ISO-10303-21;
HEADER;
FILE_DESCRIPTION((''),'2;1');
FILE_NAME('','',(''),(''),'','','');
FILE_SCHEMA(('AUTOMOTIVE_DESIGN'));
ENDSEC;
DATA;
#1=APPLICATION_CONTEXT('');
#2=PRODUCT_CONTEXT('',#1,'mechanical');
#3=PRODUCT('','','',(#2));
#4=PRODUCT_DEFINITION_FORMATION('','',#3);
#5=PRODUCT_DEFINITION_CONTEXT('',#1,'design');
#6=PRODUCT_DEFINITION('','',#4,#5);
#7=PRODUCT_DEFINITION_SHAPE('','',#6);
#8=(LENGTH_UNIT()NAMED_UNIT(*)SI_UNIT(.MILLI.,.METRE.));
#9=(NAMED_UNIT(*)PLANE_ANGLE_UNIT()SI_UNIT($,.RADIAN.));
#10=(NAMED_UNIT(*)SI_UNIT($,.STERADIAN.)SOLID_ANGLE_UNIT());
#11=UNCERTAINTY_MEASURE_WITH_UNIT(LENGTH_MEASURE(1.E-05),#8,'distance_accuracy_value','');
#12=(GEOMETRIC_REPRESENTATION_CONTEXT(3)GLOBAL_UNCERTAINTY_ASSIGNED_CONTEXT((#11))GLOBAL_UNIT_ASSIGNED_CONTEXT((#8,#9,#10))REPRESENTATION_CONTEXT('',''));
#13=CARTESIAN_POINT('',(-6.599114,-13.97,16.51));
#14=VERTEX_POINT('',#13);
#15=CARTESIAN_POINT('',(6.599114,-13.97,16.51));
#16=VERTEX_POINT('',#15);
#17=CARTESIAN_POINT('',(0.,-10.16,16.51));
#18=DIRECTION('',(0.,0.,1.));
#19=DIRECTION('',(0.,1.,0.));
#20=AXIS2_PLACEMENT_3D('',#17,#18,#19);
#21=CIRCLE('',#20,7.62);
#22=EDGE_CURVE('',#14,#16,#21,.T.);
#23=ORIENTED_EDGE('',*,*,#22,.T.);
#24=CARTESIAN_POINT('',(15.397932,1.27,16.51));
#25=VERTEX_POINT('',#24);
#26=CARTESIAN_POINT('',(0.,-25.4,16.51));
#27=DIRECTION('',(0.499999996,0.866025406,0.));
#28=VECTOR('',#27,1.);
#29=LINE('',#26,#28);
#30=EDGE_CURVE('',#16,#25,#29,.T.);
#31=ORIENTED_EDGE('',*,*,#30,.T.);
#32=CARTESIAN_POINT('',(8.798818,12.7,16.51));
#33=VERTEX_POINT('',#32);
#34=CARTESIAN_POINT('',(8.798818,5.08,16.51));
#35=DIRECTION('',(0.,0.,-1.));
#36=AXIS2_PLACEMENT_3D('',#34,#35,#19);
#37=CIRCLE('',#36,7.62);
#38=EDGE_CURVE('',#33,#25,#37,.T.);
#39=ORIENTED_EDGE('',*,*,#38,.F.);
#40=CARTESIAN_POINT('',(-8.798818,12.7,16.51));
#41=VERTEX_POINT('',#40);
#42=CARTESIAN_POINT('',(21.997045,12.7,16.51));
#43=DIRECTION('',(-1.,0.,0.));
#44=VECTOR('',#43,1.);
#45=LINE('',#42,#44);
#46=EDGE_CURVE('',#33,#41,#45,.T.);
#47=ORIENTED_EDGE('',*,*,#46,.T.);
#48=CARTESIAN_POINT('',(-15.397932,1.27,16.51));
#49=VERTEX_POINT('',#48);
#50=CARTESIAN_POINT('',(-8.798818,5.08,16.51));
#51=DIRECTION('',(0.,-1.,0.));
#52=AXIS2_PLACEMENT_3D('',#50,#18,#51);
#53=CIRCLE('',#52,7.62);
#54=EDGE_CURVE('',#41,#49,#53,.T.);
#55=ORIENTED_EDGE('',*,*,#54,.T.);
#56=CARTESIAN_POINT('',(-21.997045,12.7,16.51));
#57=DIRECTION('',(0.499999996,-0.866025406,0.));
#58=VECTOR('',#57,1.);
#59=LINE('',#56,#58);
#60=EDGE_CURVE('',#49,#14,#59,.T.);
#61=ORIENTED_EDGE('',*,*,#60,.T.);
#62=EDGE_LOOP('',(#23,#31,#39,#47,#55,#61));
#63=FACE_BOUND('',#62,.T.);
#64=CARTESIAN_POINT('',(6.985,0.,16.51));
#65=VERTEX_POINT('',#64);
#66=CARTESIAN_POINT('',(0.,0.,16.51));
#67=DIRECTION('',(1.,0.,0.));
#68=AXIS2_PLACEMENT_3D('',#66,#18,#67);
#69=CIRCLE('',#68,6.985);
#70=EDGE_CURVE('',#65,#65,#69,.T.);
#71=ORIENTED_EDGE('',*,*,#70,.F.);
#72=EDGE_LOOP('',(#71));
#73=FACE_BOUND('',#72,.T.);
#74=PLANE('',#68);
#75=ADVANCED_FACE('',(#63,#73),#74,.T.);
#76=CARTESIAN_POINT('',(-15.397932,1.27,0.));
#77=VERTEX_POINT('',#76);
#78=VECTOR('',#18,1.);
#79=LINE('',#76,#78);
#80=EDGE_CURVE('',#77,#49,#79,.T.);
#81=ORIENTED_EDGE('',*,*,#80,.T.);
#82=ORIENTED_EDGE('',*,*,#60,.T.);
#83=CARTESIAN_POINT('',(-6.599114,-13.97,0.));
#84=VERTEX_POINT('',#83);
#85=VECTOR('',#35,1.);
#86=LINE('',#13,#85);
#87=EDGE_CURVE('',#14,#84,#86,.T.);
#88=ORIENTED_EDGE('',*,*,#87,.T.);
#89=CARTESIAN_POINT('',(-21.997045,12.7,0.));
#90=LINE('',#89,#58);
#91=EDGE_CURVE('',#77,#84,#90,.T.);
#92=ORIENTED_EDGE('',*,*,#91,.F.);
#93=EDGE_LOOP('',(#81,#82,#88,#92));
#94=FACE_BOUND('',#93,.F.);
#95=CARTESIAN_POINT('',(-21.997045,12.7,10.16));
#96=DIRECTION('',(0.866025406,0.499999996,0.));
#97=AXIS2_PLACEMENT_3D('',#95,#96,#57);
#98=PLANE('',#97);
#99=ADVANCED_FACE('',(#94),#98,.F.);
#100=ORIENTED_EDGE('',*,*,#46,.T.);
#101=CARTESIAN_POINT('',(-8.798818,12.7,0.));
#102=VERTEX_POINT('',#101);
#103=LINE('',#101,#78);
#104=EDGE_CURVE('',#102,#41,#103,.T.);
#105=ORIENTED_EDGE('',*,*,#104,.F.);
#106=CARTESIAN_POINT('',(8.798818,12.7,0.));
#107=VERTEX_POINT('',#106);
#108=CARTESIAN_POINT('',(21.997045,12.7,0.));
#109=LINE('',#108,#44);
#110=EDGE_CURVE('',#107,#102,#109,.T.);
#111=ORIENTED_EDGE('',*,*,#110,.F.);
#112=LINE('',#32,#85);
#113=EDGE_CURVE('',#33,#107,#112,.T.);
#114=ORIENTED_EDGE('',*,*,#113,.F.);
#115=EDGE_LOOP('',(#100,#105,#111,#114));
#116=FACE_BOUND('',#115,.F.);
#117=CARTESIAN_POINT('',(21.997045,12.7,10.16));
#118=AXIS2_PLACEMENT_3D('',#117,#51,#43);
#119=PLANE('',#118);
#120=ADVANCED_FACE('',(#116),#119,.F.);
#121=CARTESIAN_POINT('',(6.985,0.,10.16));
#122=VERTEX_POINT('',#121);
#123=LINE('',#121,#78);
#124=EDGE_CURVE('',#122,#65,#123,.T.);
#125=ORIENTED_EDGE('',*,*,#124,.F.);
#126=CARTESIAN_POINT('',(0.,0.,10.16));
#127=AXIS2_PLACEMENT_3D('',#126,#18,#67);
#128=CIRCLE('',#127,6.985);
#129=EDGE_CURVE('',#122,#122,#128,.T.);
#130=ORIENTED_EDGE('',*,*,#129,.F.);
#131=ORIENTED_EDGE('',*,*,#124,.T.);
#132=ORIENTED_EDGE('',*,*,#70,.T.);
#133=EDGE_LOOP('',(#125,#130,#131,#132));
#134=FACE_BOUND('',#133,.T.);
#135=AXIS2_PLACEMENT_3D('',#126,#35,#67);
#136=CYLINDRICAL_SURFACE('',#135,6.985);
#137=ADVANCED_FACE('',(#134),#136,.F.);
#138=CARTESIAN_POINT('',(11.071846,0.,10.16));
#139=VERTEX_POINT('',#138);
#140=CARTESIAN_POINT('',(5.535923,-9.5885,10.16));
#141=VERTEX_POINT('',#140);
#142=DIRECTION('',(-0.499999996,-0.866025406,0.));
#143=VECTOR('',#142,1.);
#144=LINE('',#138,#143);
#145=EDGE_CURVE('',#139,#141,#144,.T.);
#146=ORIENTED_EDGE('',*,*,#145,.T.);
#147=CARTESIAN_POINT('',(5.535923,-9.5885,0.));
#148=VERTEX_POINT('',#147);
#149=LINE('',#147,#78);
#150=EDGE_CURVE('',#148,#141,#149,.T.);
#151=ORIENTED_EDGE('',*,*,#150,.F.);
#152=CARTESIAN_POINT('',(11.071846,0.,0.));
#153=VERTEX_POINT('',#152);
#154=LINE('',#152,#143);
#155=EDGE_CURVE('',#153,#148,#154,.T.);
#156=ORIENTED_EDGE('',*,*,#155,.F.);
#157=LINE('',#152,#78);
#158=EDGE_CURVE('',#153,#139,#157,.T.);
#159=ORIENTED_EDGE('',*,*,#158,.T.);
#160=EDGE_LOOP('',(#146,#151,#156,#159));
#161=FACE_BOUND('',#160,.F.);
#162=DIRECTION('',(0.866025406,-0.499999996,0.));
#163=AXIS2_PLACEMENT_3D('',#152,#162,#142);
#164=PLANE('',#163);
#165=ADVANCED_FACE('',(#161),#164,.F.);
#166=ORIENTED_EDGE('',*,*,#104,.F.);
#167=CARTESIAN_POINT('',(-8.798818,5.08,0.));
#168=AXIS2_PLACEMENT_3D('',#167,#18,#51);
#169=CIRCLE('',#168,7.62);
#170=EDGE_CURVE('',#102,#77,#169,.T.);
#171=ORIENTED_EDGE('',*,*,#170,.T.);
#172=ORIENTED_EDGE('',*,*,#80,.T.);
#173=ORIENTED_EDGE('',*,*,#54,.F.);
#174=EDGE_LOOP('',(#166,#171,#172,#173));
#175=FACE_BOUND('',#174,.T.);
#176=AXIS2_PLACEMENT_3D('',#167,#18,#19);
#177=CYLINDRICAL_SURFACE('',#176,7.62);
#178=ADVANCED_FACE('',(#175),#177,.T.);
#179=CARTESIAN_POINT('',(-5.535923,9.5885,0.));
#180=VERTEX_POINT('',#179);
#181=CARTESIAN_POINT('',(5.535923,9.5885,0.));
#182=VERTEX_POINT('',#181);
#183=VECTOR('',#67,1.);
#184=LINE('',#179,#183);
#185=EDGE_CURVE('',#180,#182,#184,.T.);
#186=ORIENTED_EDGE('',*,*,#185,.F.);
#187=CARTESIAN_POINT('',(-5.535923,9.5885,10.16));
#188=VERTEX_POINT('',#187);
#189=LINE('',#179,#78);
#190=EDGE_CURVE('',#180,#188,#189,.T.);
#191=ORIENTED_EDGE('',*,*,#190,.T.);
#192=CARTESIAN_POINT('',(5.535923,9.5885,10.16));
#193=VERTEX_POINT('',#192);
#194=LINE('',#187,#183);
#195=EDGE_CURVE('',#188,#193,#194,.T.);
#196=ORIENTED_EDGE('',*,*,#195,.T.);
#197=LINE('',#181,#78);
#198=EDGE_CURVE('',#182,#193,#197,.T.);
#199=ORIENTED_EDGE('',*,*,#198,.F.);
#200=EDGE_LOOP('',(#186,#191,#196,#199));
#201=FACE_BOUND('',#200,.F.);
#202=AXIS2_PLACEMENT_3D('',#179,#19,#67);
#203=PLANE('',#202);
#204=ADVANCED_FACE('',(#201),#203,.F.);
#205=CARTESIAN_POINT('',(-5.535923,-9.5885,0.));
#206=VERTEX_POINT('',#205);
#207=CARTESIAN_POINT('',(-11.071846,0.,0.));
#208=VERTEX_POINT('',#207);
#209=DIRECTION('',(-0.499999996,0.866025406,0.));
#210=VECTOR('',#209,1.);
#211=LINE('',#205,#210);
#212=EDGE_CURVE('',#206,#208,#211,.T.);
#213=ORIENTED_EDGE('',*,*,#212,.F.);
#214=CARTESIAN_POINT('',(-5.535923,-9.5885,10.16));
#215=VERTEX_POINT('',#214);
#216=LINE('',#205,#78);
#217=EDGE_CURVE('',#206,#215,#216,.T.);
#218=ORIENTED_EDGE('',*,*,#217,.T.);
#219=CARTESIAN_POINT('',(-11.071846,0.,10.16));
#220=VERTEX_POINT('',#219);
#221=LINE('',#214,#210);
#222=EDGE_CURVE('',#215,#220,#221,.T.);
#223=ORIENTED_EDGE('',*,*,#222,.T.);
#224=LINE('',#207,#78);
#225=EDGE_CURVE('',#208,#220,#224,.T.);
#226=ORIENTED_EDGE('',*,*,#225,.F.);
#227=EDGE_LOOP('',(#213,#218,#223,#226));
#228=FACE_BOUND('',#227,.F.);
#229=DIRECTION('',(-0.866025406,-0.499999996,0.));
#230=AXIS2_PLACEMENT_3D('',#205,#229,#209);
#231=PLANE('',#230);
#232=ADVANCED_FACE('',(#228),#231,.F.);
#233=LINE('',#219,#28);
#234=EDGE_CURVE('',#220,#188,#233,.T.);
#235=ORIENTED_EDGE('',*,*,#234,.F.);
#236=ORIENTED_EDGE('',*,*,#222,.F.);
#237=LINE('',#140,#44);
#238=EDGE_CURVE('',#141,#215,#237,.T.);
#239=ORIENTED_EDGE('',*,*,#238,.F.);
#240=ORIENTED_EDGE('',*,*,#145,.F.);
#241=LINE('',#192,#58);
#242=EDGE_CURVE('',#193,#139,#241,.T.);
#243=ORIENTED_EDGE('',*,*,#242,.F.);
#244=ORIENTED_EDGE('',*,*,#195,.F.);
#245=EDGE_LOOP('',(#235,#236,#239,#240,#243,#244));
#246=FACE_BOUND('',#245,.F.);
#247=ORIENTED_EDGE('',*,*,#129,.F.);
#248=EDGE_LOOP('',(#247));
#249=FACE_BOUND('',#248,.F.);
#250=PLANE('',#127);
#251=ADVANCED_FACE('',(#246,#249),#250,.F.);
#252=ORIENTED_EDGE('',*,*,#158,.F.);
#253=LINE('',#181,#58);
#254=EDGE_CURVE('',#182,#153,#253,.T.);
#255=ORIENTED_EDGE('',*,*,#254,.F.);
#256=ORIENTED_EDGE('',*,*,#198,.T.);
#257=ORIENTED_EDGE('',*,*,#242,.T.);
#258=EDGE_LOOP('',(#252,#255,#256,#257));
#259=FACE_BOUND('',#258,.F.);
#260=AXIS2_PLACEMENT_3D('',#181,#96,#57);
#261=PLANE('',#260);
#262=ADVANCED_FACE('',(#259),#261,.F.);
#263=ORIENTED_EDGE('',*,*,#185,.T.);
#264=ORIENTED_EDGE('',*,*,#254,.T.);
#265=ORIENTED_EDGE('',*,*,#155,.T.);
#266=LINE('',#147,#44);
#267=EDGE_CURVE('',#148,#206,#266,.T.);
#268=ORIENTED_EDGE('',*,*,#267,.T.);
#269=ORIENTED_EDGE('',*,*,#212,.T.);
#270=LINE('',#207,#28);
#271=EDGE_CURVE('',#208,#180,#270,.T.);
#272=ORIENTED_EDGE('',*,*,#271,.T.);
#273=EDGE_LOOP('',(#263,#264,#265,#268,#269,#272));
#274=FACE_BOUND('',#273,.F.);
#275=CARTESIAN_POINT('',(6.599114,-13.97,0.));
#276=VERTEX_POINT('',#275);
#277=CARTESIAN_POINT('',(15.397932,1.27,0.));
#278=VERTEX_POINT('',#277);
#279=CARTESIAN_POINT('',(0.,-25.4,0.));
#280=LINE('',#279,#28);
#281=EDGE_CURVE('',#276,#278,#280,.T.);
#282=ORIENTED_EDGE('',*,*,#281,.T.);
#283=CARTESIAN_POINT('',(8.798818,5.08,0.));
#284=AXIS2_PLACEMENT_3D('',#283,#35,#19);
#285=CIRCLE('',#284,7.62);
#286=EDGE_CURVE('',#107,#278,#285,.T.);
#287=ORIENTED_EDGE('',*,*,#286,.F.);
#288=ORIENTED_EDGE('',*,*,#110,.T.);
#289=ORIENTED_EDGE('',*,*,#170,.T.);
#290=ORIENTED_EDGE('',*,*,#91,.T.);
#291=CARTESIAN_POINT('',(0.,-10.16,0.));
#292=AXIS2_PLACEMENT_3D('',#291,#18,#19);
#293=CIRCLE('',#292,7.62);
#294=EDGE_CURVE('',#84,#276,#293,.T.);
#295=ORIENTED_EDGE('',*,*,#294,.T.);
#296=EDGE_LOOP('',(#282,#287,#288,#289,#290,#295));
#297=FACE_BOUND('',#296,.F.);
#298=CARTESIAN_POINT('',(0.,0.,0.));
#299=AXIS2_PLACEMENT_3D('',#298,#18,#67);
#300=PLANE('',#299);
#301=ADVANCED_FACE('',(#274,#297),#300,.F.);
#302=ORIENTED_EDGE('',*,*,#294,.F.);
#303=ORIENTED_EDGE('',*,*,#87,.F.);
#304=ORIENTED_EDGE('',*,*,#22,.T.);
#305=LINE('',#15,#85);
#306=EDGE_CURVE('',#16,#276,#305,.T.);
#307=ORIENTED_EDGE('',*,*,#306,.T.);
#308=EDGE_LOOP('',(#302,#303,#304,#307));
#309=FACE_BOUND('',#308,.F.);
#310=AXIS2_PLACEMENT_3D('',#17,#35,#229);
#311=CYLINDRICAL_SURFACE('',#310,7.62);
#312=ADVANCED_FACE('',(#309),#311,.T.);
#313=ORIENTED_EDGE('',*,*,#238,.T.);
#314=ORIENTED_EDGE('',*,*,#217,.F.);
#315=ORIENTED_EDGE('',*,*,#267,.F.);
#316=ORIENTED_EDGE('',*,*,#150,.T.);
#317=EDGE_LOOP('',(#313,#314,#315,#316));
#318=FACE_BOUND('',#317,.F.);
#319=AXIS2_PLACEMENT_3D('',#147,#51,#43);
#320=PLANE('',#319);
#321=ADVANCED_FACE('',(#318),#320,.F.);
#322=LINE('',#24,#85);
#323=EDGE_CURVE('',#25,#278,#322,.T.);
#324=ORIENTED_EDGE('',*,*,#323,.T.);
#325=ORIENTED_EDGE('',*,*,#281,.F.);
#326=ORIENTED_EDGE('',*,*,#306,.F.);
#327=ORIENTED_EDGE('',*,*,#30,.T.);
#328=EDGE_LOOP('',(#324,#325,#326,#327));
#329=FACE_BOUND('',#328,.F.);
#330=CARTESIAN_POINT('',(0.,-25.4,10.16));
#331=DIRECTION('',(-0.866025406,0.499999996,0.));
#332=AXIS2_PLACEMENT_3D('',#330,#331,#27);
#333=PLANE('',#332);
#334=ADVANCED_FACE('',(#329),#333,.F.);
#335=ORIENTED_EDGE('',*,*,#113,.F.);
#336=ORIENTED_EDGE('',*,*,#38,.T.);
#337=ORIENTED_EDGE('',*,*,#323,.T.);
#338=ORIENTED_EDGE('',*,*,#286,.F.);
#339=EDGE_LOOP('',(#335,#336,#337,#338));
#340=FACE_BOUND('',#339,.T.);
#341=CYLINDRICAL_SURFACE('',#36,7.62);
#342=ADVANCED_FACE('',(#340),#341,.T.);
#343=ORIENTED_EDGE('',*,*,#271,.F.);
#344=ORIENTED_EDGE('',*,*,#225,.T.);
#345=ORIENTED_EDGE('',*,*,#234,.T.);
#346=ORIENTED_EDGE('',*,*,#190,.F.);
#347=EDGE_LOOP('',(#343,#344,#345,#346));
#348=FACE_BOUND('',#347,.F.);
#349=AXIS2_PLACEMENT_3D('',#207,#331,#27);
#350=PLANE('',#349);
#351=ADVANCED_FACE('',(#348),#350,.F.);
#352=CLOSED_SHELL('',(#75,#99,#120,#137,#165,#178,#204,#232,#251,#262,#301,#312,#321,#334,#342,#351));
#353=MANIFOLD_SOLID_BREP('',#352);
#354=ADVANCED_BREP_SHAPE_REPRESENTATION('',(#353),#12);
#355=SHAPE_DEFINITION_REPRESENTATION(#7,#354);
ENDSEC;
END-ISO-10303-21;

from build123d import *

# Parameters (mm, degrees)
F1_DEPTH = 10.16
F2_R     = 6.985
F3_DEPTH = 6.35
F4_R     = 7.62


with BuildPart() as f1:
    # F0 (on Top) → F1 (new body)
    with BuildSketch(Plane.XY):
        Polygon((21.997045, 12.7), (-21.997045, 12.7), (0, -25.4), align=None)
        Polygon((-11.071846, 0), (-5.535923, 9.5885), (5.535923, 9.5885), (11.071846, 0), (5.535923, -9.5885), (-5.535923, -9.5885), align=None, mode=Mode.SUBTRACT)
    extrude(amount=F1_DEPTH)

    # F2 (on face) → F3 (join)
    with BuildSketch(Plane.XY.offset(10.16)):
        Polygon((21.997045, 12.7), (-21.997045, 12.7), (0, -25.4), align=None)
        Polygon((-5.535923, -9.5885), (-11.071846, 0), (-5.535923, 9.5885), (5.535923, 9.5885), (11.071846, 0), (5.535923, -9.5885), align=None, mode=Mode.SUBTRACT)
        Polygon((-5.535923, 9.5885), (-11.071846, 0), (-5.535923, -9.5885), (5.535923, -9.5885), (11.071846, 0), (5.535923, 9.5885), align=None)
        Circle(F2_R, mode=Mode.SUBTRACT)
    extrude(amount=F3_DEPTH)

    # F4
    f4_edges = [f1.edges().sort_by_distance(p)[0] for p in [
        (-21.997045, 12.7, 8.255),
        (21.997045, 12.7, 8.255),
        (0, -25.4, 8.255),
    ]]
    fillet(f4_edges, radius=F4_R)


solid = f1.part
